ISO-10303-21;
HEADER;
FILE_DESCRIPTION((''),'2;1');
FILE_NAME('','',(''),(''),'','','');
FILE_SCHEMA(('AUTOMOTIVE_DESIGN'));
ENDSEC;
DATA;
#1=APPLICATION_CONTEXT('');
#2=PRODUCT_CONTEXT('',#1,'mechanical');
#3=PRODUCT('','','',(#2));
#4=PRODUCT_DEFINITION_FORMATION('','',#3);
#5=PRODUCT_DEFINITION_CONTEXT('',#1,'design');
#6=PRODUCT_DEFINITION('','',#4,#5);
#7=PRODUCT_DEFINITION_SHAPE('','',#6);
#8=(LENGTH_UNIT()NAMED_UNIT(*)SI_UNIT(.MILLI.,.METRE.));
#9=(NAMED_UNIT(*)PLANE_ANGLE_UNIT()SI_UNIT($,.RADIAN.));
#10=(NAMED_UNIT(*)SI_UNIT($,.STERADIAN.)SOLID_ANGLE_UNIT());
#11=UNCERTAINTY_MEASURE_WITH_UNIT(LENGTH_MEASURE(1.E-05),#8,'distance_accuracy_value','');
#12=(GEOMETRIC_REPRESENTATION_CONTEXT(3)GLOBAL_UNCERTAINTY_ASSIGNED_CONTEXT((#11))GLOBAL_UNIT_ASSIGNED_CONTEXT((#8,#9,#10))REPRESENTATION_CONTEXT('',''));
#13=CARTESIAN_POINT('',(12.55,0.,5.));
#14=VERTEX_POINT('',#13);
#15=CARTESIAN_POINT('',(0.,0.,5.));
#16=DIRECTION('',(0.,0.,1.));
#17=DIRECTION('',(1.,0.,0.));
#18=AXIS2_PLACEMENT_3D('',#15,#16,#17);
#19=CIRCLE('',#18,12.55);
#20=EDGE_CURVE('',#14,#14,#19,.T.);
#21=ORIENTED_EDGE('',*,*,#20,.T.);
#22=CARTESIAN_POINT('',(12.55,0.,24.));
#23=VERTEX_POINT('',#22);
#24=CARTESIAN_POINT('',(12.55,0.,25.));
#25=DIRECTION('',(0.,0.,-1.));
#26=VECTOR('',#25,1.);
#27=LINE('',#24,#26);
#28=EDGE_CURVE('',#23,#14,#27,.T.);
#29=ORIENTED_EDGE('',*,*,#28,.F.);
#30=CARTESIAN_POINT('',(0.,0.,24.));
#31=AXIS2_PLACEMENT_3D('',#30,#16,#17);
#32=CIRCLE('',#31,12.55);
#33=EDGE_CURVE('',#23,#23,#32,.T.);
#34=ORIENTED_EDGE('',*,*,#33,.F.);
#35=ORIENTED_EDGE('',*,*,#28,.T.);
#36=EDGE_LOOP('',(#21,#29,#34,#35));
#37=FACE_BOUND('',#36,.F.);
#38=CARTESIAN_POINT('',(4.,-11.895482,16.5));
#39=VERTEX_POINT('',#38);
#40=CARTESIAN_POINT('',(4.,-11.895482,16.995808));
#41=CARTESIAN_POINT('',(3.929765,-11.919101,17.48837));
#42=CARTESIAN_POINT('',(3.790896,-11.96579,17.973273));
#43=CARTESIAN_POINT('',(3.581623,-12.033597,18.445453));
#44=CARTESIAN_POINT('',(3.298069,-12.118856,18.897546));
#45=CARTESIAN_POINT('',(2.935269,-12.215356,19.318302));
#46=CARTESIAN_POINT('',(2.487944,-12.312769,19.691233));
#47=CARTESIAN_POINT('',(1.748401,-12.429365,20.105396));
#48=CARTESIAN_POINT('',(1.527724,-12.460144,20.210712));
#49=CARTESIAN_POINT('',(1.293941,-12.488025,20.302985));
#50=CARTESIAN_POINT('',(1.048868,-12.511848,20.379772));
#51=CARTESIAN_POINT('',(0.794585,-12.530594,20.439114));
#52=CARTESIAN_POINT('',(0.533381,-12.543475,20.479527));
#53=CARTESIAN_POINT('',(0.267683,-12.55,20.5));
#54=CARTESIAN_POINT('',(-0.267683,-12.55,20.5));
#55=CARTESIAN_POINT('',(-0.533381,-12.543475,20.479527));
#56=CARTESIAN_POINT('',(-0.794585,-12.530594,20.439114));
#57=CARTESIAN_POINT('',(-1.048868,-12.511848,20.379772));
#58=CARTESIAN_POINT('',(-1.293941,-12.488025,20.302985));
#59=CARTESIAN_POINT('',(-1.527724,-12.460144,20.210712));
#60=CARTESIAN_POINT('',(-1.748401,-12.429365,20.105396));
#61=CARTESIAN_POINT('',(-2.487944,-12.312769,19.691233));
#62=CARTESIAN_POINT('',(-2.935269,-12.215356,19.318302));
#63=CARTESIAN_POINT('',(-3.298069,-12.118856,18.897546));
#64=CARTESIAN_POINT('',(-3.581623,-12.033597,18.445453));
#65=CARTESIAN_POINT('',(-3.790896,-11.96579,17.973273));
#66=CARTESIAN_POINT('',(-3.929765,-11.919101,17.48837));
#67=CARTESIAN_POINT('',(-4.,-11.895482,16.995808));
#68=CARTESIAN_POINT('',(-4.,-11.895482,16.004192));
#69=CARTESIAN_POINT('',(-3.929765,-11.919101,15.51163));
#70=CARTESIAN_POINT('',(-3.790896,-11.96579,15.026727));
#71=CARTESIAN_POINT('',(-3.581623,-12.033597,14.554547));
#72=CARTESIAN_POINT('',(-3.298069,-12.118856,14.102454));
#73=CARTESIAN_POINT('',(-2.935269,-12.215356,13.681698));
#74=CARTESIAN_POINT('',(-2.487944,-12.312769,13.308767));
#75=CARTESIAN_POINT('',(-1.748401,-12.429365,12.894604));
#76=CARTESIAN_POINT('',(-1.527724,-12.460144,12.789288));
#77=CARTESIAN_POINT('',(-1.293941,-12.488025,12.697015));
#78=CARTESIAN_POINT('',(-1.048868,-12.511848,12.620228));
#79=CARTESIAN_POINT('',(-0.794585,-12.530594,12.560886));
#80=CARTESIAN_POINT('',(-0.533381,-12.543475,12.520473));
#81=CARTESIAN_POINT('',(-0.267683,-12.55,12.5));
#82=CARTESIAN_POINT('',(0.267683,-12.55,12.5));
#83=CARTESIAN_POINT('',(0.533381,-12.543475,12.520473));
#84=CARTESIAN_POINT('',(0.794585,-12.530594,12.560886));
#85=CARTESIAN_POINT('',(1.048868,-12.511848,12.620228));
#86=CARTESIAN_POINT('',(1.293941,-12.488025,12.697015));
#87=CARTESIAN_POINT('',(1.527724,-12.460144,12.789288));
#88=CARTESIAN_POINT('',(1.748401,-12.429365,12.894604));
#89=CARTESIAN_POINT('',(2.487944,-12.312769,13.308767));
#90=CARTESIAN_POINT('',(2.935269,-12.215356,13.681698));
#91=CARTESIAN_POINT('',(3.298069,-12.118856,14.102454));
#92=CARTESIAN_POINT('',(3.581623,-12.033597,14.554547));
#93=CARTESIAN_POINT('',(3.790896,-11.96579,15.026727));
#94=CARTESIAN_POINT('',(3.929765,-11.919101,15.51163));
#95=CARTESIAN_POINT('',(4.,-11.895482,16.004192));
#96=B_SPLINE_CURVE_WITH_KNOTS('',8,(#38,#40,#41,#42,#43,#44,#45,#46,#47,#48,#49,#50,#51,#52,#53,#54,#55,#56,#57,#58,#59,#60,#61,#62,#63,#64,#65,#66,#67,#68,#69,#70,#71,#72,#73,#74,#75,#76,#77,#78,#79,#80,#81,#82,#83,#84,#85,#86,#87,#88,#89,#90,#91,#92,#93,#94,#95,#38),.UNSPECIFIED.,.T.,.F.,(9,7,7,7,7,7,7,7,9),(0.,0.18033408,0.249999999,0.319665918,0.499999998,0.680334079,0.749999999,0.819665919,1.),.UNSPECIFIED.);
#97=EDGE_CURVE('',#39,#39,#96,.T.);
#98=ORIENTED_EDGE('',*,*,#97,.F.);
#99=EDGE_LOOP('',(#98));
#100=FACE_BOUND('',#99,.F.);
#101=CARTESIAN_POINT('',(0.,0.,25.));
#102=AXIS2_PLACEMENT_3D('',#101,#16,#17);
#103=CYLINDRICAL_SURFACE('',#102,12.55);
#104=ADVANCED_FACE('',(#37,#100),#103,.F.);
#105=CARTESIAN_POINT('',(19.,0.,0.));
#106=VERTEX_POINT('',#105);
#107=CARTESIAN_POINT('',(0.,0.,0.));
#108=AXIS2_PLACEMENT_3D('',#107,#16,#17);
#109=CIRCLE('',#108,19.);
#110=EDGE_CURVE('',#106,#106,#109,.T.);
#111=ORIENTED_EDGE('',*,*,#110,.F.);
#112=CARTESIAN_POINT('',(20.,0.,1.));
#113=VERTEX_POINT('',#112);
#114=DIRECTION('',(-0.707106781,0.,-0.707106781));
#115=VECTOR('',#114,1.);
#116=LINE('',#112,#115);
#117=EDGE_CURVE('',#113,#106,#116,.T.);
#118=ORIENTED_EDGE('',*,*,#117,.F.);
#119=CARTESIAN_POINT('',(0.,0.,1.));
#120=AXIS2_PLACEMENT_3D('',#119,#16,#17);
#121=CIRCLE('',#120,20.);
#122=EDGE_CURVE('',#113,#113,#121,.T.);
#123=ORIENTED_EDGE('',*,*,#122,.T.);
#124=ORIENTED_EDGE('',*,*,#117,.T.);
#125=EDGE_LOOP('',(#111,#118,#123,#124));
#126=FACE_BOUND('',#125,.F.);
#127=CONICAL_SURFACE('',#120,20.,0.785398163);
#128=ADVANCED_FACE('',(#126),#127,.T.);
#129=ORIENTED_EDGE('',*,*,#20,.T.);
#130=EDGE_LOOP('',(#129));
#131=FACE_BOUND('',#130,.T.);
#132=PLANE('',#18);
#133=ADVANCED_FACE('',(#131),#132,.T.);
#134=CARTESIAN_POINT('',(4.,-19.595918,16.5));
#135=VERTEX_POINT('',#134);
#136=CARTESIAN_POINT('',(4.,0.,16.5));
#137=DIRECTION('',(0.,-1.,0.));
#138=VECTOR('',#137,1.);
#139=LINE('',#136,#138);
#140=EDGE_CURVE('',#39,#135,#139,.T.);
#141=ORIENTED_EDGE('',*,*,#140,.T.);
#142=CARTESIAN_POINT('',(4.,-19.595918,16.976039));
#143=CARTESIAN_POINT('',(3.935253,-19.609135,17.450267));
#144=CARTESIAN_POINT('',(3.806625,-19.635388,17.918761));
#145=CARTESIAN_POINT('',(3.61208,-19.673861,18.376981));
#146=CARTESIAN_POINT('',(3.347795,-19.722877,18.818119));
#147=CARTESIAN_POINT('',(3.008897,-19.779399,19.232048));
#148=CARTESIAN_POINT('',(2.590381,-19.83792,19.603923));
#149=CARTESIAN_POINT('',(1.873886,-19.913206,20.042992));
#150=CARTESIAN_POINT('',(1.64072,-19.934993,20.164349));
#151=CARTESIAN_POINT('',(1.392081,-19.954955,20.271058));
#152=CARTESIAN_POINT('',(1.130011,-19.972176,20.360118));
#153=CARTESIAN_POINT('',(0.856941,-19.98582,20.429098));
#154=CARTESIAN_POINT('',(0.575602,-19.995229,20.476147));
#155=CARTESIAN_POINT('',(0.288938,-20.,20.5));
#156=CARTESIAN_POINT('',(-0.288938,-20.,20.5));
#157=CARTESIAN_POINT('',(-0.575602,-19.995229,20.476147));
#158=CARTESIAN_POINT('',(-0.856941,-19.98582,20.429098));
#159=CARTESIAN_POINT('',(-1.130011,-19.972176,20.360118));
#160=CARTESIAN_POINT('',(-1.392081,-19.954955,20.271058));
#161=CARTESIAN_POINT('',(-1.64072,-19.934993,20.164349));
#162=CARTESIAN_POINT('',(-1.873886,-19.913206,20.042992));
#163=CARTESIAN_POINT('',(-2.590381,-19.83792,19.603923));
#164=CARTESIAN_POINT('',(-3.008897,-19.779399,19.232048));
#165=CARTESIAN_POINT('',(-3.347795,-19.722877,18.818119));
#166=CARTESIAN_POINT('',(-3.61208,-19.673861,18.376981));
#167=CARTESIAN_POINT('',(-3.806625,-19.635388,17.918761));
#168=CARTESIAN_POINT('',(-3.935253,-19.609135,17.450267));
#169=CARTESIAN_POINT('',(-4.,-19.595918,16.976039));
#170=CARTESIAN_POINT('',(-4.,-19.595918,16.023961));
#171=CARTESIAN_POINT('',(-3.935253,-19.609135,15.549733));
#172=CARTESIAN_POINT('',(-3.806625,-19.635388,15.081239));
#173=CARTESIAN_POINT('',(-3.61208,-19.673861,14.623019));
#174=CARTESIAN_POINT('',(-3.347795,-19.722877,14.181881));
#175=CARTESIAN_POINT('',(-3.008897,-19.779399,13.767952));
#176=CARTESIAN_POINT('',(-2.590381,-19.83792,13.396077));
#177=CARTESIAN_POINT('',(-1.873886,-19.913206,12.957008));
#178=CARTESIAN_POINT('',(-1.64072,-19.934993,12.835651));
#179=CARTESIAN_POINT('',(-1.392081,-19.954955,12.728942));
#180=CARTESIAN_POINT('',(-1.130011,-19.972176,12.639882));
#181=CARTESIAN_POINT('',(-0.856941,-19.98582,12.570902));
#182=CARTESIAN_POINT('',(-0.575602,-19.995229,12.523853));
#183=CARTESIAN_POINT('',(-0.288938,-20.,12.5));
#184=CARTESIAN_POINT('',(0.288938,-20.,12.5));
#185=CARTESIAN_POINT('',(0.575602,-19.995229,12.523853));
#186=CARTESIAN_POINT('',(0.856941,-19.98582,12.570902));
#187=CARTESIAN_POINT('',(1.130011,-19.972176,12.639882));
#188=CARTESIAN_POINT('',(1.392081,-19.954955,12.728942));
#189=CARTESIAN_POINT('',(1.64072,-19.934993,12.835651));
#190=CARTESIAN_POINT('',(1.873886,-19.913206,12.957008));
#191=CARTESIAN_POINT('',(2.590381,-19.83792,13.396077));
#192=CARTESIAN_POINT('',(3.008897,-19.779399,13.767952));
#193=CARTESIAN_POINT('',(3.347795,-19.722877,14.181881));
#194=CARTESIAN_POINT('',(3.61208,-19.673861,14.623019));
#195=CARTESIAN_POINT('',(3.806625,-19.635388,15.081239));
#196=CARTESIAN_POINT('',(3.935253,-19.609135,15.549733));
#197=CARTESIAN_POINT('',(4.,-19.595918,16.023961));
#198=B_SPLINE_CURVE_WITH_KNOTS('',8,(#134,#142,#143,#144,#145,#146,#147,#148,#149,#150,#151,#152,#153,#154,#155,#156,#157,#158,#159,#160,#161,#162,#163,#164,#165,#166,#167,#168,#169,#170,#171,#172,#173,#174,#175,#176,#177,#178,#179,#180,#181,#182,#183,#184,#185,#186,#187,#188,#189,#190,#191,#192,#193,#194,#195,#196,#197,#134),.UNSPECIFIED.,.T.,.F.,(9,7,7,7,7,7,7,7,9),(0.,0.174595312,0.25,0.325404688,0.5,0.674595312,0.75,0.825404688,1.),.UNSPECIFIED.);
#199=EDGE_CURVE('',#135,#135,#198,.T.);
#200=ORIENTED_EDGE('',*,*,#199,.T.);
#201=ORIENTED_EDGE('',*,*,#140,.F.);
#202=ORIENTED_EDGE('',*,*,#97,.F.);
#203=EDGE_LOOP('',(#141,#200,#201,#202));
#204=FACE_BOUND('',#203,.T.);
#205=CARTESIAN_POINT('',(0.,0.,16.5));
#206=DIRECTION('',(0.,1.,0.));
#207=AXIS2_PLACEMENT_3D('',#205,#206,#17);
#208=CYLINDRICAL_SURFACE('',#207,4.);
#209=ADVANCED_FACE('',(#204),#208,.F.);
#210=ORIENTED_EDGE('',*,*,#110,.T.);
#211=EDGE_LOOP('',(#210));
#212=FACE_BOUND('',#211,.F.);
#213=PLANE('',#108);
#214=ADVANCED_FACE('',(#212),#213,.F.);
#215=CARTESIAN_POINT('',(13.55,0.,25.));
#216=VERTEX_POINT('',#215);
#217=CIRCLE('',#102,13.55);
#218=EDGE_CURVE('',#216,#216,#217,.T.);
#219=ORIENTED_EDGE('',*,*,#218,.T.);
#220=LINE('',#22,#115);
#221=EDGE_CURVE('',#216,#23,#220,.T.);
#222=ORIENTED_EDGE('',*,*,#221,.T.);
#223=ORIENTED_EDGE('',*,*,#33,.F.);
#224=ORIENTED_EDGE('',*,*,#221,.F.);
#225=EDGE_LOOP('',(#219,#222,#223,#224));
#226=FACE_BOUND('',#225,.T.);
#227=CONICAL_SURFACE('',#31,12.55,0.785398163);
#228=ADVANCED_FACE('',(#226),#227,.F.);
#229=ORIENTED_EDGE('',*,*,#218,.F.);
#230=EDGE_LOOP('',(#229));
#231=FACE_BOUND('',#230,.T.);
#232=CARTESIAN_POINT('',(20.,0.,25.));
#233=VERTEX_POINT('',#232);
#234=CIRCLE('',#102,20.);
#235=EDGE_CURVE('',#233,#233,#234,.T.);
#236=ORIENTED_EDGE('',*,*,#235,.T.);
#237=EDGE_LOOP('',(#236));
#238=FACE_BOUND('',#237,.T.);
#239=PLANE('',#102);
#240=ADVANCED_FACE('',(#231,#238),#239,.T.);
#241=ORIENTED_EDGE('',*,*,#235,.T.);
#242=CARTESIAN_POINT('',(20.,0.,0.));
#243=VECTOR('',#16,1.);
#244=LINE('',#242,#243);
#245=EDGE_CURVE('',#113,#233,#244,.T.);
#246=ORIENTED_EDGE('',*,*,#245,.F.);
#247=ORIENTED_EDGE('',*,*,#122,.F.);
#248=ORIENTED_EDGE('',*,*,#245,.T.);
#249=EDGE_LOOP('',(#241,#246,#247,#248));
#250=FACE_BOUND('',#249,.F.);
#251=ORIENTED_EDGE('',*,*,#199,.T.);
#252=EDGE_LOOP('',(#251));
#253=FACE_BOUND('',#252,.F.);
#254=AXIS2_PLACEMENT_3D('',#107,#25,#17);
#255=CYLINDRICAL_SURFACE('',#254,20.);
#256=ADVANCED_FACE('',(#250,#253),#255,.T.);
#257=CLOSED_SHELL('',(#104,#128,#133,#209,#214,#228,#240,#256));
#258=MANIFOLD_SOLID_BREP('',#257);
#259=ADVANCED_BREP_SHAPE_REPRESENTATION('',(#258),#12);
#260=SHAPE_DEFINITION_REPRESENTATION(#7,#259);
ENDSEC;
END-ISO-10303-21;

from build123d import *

# Parameters (mm, degrees)
F0_R     = 20
F1_DEPTH = 25
F2_R     = 12.55
F3_DEPTH = 20
F4_R     = 4
F5_DEPTH = 25
F6_SIZE  = 1


with BuildPart() as f1:
    # F0 (on Top) → F1 (new body)
    with BuildSketch(Plane.XY):
        Circle(F0_R)
    extrude(amount=F1_DEPTH)

    # F2 (on face) → F3 (cut)
    with BuildSketch(Plane.XY.offset(25)):
        Circle(F2_R)
    extrude(amount=-F3_DEPTH, mode=Mode.SUBTRACT)

    # F4 (on Front) → F5 (cut)
    with BuildSketch(Plane.XZ):
        with Locations((0, 16.5)):
            Circle(F4_R)
    extrude(amount=F5_DEPTH, mode=Mode.SUBTRACT)

    # F6
    f6_edges = [f1.edges().sort_by_distance(p)[0] for p in [
        (-20, 0, 0),
        (-12.55, 0, 25),
    ]]
    chamfer(f6_edges, length=F6_SIZE)


solid = f1.part
